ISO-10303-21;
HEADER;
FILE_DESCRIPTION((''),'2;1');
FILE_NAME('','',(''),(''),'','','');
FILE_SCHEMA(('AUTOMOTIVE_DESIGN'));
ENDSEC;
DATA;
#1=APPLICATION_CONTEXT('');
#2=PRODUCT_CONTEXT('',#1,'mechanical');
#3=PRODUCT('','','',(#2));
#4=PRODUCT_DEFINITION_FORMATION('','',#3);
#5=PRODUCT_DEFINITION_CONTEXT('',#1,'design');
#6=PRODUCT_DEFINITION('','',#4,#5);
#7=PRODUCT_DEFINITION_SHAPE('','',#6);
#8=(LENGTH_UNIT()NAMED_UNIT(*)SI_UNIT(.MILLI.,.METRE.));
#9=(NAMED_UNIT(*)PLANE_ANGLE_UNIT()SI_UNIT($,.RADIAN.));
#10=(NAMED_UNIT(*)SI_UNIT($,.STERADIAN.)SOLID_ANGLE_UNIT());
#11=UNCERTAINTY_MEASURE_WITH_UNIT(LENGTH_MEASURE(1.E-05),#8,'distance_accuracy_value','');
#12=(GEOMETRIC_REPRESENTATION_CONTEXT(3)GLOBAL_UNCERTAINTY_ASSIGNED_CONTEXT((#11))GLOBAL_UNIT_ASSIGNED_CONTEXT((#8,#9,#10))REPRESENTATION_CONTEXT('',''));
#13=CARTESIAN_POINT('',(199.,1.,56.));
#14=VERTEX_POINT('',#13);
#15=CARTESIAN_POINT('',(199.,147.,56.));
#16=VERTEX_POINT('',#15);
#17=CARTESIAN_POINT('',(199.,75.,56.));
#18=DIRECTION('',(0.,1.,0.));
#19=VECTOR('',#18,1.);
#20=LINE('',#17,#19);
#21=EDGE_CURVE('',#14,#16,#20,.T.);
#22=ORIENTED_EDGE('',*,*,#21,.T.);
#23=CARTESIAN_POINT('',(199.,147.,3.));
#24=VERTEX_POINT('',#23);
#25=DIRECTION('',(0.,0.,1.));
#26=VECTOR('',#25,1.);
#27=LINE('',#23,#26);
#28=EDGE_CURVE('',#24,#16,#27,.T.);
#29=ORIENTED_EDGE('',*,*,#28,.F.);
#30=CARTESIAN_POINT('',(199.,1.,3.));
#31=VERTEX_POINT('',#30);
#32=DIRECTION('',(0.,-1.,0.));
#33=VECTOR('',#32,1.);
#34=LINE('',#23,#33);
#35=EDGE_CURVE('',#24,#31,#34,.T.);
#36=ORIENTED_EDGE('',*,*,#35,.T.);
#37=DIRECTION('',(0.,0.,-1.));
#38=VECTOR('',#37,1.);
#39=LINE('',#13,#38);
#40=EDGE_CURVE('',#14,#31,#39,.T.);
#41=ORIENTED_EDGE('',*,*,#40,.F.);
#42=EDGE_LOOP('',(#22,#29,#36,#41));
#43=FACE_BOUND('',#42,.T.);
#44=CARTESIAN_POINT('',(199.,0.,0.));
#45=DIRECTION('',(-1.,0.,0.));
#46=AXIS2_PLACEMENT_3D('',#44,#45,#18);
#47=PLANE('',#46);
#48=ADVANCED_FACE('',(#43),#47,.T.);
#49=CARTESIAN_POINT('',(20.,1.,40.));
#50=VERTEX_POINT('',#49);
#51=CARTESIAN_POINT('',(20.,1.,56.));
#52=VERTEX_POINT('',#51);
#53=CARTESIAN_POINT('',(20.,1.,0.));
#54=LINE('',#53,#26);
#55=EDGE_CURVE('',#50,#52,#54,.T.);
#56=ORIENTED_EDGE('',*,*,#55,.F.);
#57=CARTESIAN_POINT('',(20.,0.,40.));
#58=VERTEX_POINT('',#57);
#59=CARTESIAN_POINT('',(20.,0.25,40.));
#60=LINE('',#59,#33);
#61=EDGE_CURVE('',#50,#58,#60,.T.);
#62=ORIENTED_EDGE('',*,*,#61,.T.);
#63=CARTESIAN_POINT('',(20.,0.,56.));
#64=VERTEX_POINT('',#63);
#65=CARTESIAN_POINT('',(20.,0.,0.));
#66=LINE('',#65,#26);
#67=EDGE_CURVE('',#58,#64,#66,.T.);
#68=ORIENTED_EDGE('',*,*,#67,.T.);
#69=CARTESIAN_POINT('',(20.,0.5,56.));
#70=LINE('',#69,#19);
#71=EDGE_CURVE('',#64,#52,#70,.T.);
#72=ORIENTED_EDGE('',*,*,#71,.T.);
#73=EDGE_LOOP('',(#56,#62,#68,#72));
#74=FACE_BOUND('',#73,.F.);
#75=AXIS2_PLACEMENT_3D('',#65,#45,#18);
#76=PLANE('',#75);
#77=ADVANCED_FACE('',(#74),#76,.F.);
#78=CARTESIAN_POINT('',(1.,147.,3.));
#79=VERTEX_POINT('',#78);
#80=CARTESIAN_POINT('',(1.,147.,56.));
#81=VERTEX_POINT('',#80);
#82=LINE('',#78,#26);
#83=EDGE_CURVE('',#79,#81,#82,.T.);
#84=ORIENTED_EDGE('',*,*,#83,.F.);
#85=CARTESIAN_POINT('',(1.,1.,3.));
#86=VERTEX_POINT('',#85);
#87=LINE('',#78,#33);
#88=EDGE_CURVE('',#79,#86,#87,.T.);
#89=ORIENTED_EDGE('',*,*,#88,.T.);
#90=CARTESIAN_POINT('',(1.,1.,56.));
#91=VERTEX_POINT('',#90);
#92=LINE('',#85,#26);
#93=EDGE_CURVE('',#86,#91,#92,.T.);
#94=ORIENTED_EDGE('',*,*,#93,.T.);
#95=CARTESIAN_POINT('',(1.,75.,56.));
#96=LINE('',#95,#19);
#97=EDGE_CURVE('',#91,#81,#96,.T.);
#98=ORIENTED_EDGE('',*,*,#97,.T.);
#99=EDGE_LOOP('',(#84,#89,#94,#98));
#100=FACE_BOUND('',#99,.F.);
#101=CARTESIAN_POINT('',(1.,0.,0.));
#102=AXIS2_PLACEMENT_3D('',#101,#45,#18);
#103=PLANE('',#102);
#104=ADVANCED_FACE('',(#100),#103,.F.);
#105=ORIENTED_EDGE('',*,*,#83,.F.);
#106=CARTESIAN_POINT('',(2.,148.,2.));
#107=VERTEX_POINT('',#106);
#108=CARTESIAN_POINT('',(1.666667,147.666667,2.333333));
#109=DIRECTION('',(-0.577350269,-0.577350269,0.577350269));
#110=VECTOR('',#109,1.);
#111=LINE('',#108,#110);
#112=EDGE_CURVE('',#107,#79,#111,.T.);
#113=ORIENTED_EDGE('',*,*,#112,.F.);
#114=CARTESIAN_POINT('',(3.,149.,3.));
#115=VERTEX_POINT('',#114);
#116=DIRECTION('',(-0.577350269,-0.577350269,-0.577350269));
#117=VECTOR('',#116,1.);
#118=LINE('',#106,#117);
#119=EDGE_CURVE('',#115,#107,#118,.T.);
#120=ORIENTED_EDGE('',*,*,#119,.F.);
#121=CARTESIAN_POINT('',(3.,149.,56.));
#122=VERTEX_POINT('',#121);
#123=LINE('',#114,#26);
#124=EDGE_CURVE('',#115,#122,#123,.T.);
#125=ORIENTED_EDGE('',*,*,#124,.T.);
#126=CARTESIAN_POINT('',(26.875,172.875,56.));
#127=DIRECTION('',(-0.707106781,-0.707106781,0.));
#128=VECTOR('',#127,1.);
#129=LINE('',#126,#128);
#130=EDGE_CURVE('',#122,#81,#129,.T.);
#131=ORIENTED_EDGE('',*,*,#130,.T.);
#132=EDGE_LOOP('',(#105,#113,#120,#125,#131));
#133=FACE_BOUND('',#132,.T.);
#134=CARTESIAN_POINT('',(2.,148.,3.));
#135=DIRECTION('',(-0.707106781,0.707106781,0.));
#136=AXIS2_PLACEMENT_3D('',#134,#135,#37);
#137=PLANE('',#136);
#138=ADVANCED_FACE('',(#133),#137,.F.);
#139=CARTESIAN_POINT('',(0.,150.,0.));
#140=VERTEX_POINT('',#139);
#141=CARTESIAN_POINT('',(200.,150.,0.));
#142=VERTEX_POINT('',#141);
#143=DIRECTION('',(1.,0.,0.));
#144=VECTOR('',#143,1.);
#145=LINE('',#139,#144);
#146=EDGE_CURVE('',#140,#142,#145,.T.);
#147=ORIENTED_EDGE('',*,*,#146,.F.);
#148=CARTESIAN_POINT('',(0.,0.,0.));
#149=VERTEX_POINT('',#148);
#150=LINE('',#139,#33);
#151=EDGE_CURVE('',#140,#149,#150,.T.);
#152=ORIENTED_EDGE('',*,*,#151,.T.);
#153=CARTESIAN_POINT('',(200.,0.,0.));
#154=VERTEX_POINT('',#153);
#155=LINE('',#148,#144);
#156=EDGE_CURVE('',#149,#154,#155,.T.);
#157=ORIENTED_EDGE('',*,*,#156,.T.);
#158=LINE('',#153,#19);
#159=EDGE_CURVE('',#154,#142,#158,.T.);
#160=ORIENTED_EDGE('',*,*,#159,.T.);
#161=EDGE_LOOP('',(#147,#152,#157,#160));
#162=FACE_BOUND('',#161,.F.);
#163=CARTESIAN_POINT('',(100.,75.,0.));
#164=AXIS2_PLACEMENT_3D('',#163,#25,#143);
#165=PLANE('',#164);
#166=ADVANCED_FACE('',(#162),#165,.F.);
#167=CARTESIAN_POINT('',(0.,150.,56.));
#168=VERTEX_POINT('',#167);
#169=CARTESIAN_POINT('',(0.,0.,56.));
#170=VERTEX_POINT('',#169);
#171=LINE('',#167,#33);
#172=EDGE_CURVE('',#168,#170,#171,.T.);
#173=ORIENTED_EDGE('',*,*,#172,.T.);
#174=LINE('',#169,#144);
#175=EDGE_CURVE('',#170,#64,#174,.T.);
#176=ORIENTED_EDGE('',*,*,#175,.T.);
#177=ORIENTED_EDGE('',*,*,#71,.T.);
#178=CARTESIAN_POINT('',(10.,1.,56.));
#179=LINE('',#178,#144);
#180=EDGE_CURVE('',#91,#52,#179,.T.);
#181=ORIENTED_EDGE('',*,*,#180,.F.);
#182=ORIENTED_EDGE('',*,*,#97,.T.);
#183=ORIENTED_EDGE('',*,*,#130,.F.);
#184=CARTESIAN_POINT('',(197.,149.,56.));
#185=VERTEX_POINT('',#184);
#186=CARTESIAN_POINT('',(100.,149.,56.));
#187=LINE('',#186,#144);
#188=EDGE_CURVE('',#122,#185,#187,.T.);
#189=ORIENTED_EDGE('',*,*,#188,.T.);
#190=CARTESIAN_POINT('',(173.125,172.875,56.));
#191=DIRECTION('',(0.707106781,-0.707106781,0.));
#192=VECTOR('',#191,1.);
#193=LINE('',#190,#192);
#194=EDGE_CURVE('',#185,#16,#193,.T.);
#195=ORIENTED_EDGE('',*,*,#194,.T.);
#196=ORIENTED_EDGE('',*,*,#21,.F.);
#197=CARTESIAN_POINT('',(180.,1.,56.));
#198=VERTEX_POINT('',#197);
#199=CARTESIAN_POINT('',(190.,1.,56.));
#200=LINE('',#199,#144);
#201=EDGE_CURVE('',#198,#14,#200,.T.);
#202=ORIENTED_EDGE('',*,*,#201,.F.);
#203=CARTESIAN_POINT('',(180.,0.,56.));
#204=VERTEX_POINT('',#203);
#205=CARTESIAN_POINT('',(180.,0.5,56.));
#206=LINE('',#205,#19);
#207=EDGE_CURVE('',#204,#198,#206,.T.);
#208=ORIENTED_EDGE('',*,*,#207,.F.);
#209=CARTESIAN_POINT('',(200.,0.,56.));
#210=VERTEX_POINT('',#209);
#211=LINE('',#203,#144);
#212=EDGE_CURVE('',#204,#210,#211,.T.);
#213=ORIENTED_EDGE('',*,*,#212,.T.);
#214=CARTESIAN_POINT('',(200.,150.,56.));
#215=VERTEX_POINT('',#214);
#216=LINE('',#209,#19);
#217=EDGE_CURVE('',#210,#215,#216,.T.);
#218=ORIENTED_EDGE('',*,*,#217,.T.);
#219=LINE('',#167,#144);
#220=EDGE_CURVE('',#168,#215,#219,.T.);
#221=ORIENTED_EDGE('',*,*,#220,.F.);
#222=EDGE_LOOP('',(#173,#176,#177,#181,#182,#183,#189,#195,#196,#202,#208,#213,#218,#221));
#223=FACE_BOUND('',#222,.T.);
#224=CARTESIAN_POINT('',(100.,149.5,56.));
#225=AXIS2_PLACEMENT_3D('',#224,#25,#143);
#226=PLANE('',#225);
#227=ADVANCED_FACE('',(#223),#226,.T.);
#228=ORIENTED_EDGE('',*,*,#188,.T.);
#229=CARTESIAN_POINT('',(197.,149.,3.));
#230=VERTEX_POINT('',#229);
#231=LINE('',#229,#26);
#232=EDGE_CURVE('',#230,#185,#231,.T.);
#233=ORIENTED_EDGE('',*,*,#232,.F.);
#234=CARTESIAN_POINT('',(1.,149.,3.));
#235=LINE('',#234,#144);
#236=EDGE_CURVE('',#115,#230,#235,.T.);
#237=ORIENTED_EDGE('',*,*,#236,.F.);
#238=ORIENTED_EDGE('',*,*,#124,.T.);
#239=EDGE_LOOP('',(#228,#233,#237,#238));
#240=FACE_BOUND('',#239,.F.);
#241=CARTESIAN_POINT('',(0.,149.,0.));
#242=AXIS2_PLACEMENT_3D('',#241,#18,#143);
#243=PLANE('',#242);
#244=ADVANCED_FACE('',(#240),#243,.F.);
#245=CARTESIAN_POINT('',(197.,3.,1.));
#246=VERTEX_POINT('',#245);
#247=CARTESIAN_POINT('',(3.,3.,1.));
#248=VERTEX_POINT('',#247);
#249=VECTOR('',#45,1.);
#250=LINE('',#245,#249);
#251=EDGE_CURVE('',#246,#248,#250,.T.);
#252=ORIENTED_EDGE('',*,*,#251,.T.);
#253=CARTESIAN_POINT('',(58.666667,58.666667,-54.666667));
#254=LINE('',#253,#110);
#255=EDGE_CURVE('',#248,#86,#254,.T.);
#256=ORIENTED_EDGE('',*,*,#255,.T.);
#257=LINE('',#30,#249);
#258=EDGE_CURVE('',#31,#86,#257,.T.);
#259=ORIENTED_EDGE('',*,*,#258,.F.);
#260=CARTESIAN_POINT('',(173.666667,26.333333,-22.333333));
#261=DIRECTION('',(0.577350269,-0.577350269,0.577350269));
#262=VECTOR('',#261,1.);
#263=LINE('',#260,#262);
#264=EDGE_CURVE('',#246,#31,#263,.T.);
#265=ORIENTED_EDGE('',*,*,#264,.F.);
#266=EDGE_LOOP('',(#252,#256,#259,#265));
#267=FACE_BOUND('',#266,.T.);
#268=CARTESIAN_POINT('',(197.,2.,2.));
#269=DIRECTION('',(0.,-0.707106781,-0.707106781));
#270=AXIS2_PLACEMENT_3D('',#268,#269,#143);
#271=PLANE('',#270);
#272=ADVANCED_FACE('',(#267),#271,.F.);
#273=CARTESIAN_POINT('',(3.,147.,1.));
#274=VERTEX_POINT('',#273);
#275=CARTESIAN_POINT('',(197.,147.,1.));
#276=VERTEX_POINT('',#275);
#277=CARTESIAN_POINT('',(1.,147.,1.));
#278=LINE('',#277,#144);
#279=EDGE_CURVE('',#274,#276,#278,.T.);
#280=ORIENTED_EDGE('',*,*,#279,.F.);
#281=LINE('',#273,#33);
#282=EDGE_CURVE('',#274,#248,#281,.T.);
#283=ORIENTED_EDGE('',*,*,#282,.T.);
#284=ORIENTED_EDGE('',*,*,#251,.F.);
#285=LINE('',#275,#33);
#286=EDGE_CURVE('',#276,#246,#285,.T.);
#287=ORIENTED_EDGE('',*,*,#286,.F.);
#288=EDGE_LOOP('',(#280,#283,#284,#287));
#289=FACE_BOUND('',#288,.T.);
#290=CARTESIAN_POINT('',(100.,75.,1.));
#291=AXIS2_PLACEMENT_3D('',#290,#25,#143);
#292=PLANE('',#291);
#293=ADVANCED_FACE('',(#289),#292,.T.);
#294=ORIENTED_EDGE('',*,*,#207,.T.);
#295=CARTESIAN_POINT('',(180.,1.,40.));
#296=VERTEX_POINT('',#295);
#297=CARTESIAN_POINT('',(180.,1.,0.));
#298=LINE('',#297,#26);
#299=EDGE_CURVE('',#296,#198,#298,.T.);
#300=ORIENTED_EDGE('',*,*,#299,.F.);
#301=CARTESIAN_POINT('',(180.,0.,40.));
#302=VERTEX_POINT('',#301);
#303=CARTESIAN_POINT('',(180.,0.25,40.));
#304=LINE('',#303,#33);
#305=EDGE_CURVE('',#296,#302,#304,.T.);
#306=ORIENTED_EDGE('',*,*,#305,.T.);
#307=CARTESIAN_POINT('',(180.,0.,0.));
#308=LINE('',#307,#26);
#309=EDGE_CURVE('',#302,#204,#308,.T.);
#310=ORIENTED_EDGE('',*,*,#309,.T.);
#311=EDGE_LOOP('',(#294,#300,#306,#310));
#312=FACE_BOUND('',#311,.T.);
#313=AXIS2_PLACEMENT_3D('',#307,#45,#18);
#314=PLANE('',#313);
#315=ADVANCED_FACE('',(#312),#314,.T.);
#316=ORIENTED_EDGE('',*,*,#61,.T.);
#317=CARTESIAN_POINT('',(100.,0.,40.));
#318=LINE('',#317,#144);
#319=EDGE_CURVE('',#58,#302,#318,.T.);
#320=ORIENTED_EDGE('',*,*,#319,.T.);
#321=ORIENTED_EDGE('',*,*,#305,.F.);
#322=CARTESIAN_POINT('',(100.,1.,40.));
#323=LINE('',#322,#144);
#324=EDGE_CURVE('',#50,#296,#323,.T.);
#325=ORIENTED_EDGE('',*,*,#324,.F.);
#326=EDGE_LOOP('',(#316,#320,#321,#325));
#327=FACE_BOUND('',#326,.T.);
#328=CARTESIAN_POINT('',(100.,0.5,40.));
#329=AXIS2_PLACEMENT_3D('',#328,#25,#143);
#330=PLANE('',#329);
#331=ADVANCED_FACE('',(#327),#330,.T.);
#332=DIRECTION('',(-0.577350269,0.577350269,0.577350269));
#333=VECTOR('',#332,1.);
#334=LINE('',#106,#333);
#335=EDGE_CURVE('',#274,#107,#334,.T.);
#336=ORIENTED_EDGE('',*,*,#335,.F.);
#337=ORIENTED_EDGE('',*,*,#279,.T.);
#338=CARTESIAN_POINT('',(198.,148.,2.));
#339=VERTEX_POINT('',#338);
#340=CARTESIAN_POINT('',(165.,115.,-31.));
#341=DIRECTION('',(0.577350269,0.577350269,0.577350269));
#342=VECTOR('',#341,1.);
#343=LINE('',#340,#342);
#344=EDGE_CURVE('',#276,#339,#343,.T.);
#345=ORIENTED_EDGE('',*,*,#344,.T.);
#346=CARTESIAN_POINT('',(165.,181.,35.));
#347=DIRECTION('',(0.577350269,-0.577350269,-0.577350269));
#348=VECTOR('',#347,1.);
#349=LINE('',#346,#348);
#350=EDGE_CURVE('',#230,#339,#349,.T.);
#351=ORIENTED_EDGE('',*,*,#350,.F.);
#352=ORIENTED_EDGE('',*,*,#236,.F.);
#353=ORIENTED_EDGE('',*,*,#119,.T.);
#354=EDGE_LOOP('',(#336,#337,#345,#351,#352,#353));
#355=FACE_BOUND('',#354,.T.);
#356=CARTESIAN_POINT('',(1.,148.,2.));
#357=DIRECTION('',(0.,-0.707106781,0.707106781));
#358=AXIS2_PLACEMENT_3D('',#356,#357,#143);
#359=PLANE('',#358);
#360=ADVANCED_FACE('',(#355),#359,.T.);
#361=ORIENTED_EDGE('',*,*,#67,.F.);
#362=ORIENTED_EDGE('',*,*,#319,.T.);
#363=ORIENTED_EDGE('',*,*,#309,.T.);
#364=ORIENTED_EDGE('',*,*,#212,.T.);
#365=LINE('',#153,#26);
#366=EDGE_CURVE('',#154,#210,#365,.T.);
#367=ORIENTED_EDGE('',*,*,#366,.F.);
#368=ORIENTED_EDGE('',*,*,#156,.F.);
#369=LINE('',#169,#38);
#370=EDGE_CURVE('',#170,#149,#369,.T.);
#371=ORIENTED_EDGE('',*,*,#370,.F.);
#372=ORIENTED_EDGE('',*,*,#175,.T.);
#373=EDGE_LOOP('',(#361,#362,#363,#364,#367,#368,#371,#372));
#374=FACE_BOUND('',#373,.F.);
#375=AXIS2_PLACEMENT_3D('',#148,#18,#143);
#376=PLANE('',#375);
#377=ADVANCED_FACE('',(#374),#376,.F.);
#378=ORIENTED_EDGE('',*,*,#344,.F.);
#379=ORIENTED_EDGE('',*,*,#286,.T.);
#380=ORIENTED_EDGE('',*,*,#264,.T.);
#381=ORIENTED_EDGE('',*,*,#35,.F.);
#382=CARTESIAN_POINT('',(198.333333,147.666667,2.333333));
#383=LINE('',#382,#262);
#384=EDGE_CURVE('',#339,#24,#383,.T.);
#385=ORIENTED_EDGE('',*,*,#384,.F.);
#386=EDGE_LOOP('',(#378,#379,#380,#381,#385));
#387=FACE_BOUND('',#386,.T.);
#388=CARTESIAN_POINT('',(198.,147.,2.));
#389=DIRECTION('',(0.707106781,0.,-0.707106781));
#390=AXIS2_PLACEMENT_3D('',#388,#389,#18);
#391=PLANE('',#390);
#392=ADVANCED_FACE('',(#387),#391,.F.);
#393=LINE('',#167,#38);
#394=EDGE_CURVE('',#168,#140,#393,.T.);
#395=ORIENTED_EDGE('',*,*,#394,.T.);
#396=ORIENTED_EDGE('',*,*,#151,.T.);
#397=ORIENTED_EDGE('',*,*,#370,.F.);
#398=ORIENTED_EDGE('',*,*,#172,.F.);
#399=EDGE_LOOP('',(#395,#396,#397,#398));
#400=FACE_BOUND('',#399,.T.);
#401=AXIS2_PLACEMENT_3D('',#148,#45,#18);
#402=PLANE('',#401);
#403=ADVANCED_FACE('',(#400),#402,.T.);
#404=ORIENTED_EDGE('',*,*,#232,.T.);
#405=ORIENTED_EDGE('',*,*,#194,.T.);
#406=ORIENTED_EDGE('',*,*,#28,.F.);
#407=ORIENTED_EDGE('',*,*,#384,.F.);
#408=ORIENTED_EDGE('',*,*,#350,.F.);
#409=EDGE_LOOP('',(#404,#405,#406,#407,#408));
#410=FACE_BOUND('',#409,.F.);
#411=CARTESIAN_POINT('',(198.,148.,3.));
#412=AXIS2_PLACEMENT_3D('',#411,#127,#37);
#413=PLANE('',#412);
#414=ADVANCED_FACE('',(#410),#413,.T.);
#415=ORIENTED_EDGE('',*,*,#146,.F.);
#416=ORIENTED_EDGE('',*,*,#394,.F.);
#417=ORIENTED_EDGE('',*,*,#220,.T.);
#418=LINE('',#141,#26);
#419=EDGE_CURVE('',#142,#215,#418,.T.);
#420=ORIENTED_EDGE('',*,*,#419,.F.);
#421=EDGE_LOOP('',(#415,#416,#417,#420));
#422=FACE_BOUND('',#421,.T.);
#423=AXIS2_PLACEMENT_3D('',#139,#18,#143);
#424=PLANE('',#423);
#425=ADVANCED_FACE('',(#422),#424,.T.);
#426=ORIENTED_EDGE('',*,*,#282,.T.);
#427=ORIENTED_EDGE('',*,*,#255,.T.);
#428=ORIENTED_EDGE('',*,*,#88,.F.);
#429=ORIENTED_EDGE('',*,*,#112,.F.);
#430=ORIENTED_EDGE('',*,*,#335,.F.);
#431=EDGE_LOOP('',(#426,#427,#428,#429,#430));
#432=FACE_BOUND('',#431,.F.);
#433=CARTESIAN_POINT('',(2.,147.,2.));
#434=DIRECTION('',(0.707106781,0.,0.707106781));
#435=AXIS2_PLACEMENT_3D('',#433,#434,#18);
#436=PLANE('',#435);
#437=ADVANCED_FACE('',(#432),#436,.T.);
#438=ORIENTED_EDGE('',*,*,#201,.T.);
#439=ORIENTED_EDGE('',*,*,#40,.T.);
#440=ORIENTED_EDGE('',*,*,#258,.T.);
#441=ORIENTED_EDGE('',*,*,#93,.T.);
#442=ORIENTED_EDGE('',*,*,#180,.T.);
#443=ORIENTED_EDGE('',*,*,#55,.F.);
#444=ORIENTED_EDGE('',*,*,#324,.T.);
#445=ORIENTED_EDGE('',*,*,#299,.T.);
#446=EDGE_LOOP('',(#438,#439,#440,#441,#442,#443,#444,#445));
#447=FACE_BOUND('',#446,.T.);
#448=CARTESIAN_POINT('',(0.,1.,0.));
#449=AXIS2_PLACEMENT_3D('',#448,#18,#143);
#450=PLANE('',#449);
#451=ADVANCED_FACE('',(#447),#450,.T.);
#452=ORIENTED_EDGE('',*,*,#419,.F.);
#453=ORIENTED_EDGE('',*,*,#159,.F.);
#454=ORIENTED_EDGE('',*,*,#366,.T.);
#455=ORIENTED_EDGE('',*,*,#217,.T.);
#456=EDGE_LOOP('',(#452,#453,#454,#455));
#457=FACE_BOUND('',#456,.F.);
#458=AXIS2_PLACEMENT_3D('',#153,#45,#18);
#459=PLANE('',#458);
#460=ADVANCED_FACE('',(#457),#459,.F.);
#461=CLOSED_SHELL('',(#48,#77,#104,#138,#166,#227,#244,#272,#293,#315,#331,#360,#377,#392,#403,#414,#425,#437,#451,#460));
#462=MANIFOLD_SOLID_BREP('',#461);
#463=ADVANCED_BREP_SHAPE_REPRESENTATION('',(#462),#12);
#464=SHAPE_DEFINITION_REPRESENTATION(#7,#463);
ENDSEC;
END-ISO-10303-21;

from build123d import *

# Parameters (mm, degrees)
BOX005_W        = 20
BOX005_H        = 1
BOX005_DEPTH    = 56
BOX006_W        = 20
BOX006_H        = 1
BOX006_DEPTH    = 56
BOX004_W        = 200
BOX004_H        = 1
BOX004_DEPTH    = 40
BOX002_W        = 1
BOX002_H        = 150
BOX002_DEPTH    = 56
BOX001_W        = 1
BOX001_H        = 150
BOX001_DEPTH    = 56
BOX_W           = 200
BOX_H           = 150
BOX_DEPTH       = 1
BOX003_W        = 200
BOX003_H        = 1
BOX003_DEPTH    = 56
CHAMFER_SIZE    = 2
CHAMFER001_SIZE = 2
CHAMFER002_SIZE = 2
CHAMFER003_SIZE = 2
CHAMFER004_SIZE = 2
CHAMFER005_SIZE = 2


with BuildPart() as cube005:
    # Box005 → Box005 (new body)
    with BuildSketch(Plane.XY):
        with Locations((10, 0.5)):
            Rectangle(BOX005_W, BOX005_H)
    extrude(amount=BOX005_DEPTH)


with BuildPart() as cube006:
    # Box006 → Box006 (new body)
    with BuildSketch(Plane(origin=(180, 0, 0), x_dir=(1, 0, 0), z_dir=(0, 0, 1))):
        with Locations((10, 0.5)):
            Rectangle(BOX006_W, BOX006_H)
    extrude(amount=BOX006_DEPTH)


with BuildPart() as cube004:
    # Box004 → Box004 (new body)
    with BuildSketch(Plane.XY):
        with Locations((100, 0.5)):
            Rectangle(BOX004_W, BOX004_H)
    extrude(amount=BOX004_DEPTH)


with BuildPart() as cube002:
    # Box002 → Box002 (new body)
    with BuildSketch(Plane(origin=(199, 0, 0), x_dir=(1, 0, 0), z_dir=(0, 0, 1))):
        with Locations((0.5, 75)):
            Rectangle(BOX002_W, BOX002_H)
    extrude(amount=BOX002_DEPTH)


with BuildPart() as cube001:
    # Box001 → Box001 (new body)
    with BuildSketch(Plane.XY):
        with Locations((0.5, 75)):
            Rectangle(BOX001_W, BOX001_H)
    extrude(amount=BOX001_DEPTH)


with BuildPart() as cube:
    # Box → Box (new body)
    with BuildSketch(Plane.XY):
        with Locations((100, 75)):
            Rectangle(BOX_W, BOX_H)
    extrude(amount=BOX_DEPTH)


with BuildPart() as fusion005:
    # Box003 → Box003 (new body)
    with BuildSketch(Plane(origin=(0, 149, 0), x_dir=(1, 0, 0), z_dir=(0, 0, 1))):
        with Locations((100, 0.5)):
            Rectangle(BOX003_W, BOX003_H)
    extrude(amount=BOX003_DEPTH)

    # Fusion: union Cube
    add(cube.part)

    # Fusion001: union Cube001
    add(cube001.part)

    # Fusion002: union Cube002
    add(cube002.part)

    # Fusion003: union Cube004
    add(cube004.part)

    # Chamfer
    chamfer_edges = [fusion005.edges().sort_by_distance(p)[0] for p in [
        (100, 149, 1),
    ]]
    chamfer(chamfer_edges, length=CHAMFER_SIZE)

    # Chamfer001
    chamfer001_edges = [fusion005.edges().sort_by_distance(p)[0] for p in [
        (1, 74, 1),
    ]]
    chamfer(chamfer001_edges, length=CHAMFER001_SIZE)

    # Chamfer002
    chamfer002_edges = [fusion005.edges().sort_by_distance(p)[0] for p in [
        (199, 74, 1),
    ]]
    chamfer(chamfer002_edges, length=CHAMFER002_SIZE)

    # Chamfer003
    chamfer003_edges = [fusion005.edges().sort_by_distance(p)[0] for p in [
        (1, 149, 29.5),
    ]]
    chamfer(chamfer003_edges, length=CHAMFER003_SIZE)

    # Chamfer004
    chamfer004_edges = [fusion005.edges().sort_by_distance(p)[0] for p in [
        (199, 149, 29.5),
    ]]
    chamfer(chamfer004_edges, length=CHAMFER004_SIZE)

    # Chamfer005
    chamfer005_edges = [fusion005.edges().sort_by_distance(p)[0] for p in [
        (100, 1, 1),
    ]]
    chamfer(chamfer005_edges, length=CHAMFER005_SIZE)

    # Fusion004: union Cube006
    add(cube006.part)

    # Fusion005: union Cube005
    add(cube005.part)


solid = fusion005.part
